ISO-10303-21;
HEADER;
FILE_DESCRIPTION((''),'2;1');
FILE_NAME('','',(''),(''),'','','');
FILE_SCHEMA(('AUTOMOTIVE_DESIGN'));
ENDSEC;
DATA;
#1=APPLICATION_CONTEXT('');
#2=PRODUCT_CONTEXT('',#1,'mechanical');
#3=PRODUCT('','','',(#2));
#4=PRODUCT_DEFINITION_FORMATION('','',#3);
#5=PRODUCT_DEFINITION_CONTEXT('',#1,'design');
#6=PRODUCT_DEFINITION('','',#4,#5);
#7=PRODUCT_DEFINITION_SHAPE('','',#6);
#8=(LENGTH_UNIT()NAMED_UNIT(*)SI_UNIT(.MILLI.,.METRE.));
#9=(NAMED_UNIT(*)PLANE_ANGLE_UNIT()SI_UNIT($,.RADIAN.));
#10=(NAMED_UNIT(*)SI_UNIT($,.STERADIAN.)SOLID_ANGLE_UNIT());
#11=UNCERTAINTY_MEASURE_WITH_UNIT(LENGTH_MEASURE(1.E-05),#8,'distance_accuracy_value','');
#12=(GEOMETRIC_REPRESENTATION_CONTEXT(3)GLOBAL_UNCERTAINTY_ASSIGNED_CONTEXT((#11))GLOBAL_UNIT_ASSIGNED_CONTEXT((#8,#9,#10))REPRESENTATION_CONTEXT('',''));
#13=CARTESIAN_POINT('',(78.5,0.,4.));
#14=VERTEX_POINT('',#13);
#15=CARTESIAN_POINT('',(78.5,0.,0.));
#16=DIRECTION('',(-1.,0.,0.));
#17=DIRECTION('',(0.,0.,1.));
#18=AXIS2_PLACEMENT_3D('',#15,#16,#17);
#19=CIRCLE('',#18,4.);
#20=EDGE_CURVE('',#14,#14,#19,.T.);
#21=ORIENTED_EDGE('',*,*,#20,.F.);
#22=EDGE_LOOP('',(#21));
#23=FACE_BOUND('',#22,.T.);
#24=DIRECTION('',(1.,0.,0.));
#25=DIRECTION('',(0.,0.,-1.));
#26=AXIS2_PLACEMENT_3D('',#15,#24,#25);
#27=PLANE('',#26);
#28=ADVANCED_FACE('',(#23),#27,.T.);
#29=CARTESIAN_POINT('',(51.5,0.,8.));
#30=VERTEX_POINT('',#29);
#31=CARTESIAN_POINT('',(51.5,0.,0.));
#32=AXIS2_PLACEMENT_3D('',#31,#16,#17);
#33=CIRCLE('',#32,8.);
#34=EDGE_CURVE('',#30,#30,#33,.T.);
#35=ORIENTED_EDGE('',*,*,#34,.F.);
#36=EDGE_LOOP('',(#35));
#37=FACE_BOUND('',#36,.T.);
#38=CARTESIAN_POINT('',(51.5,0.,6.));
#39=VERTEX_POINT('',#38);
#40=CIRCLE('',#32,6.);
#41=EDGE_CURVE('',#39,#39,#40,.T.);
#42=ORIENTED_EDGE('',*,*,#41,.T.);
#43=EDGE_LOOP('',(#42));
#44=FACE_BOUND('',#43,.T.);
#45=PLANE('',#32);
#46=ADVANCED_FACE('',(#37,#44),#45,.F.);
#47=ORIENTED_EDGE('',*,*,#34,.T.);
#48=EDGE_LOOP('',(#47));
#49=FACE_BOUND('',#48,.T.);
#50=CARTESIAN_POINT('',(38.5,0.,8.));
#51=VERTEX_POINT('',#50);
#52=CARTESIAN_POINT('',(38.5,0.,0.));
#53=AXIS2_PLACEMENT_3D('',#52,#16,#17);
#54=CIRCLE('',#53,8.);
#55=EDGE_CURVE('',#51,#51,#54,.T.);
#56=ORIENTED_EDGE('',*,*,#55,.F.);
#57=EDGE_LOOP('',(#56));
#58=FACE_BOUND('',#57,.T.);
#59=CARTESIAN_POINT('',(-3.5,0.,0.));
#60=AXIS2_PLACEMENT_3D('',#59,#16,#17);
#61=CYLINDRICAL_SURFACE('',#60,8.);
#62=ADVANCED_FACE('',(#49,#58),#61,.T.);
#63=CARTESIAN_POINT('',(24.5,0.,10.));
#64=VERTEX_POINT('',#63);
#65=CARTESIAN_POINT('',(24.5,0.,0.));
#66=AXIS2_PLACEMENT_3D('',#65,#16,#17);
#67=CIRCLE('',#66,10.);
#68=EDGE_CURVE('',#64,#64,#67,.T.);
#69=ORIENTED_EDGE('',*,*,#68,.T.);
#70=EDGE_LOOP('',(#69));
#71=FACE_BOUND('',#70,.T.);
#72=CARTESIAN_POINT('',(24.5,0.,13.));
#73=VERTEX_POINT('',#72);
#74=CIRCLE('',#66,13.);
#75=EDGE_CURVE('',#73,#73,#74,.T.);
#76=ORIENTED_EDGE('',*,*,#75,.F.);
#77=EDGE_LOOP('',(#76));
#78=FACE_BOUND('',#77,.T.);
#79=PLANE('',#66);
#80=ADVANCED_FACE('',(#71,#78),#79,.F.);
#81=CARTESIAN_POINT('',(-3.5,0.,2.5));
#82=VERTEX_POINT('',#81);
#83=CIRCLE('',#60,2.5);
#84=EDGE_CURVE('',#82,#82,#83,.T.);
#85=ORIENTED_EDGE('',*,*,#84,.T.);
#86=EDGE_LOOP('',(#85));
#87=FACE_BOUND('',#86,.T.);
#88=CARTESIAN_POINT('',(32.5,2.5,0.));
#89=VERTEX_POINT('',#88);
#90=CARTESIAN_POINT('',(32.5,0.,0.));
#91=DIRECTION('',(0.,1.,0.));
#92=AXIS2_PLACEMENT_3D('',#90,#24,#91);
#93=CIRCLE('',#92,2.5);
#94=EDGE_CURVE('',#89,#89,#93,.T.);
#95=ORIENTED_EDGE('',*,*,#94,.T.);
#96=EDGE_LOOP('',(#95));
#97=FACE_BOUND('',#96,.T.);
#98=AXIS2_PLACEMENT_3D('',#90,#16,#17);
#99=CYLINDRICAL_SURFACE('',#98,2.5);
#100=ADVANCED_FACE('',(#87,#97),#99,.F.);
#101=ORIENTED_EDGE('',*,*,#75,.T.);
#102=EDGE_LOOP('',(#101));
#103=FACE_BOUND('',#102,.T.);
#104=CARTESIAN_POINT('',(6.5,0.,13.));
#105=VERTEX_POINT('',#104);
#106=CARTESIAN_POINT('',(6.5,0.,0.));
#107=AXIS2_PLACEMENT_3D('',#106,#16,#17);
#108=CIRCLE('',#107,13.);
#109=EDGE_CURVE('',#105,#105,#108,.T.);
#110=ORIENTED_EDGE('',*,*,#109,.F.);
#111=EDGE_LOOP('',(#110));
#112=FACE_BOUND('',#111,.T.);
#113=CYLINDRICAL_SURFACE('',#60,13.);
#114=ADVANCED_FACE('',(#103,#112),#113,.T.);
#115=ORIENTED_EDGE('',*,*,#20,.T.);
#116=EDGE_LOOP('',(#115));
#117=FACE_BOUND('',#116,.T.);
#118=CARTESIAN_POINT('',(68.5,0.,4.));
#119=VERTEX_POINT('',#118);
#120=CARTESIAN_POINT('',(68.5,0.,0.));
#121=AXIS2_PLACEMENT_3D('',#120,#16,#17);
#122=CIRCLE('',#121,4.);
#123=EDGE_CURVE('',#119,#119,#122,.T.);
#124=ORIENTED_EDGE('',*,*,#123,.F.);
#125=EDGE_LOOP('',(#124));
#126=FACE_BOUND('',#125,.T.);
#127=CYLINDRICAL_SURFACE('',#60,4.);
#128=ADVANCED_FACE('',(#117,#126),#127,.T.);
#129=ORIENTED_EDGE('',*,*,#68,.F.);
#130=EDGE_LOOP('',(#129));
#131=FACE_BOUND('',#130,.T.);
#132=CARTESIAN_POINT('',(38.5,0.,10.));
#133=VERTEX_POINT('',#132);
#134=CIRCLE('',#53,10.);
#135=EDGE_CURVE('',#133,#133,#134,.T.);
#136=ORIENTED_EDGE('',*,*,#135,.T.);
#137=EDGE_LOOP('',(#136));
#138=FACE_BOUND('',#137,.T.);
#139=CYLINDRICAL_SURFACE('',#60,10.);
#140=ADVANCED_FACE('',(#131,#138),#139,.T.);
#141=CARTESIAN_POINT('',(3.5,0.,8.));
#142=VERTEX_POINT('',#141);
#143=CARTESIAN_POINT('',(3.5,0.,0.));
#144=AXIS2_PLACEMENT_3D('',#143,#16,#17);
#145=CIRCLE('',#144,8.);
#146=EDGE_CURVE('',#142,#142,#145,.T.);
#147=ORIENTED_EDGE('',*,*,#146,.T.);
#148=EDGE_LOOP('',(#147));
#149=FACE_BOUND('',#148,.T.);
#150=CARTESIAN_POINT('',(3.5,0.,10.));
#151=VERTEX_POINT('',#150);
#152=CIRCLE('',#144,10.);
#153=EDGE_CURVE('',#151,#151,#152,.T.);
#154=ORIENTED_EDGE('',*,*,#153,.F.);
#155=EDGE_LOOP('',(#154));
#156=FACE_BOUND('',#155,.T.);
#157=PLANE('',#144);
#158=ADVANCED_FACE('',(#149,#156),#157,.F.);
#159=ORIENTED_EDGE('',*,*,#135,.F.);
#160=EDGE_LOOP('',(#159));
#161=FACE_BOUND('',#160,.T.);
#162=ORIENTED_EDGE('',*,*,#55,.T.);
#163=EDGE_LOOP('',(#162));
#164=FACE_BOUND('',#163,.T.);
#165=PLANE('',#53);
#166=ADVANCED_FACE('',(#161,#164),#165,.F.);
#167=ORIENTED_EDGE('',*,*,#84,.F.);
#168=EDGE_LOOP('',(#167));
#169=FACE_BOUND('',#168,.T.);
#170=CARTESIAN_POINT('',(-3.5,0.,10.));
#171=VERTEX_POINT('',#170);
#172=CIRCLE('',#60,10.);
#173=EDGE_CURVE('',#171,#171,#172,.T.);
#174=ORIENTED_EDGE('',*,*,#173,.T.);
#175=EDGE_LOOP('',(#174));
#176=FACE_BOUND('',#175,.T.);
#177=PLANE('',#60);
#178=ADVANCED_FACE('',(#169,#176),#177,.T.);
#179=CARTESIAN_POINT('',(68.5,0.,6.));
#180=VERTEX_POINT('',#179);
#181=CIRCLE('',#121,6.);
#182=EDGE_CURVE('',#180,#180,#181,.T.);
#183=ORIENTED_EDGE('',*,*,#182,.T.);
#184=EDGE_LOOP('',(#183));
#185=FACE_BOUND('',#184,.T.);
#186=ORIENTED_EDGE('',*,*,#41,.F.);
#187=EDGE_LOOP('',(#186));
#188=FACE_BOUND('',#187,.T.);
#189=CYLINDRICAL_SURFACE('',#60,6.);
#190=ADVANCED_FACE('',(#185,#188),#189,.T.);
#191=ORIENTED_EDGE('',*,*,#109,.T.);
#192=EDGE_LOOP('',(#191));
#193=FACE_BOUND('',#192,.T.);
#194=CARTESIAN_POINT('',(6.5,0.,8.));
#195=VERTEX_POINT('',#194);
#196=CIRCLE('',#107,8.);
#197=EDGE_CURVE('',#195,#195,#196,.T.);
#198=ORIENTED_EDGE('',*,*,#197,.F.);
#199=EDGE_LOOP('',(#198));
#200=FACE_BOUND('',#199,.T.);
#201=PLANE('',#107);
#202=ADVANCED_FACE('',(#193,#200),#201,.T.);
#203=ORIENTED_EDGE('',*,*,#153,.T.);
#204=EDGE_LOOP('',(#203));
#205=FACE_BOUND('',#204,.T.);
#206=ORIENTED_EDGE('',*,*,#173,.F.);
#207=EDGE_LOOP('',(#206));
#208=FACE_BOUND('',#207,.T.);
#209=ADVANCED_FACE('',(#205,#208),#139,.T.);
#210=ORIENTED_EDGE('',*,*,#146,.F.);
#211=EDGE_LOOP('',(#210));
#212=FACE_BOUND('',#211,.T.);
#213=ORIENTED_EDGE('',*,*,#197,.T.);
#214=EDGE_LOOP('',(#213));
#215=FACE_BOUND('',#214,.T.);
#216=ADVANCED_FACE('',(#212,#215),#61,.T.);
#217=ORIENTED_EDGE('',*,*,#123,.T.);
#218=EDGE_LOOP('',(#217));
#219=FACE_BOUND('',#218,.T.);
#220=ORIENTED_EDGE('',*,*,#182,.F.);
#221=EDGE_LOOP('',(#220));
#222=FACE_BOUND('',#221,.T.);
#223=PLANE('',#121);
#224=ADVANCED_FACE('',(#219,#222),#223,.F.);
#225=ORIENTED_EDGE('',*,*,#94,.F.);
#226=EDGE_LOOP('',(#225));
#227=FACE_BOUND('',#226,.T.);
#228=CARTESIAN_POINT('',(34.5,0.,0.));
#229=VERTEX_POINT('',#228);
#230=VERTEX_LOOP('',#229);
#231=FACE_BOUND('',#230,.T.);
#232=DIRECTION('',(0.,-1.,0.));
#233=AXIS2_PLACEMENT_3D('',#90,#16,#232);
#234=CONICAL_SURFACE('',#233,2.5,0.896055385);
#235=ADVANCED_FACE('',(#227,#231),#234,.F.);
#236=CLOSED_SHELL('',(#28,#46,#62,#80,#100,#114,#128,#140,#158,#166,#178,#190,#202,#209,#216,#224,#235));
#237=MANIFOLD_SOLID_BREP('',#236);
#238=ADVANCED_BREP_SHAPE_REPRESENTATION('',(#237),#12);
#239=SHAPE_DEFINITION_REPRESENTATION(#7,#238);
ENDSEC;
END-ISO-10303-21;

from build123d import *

# Parameters (mm, degrees)
SKETCH1_W          = 3
SKETCH1_H          = 8
SKETCH1_W_2        = 10
SKETCH1_H_2        = 4
SKETCH2_R          = 2.5
CUT_EXTRUDE1_DEPTH = 36


with BuildPart() as part:
    # Sketch1 → Revolve2 (revolve)
    with BuildSketch(Plane(origin=(0, 0, 0), x_dir=(1, 0, 0), z_dir=(0, 1, 0))):
        Polygon((3.5, 0), (-3.5, 0), (-3.5, -10), (3.5, -10), (3.5, -8), align=None)
        with Locations((5, -4)):
            Rectangle(SKETCH1_W, SKETCH1_H)
        Polygon((24.5, 0), (6.5, 0), (6.5, -8), (6.5, -13), (24.5, -13), (24.5, -10), align=None)
        Polygon((38.5, 0), (24.5, 0), (24.5, -10), (38.5, -10), (38.5, -8), align=None)
        Polygon((51.5, 0), (38.5, 0), (38.5, -8), (51.5, -8), (51.5, -6), align=None)
        Polygon((68.5, 0), (51.5, 0), (51.5, -6), (68.5, -6), (68.5, -4), align=None)
        with Locations((73.5, -2)):
            Rectangle(SKETCH1_W_2, SKETCH1_H_2)
    revolve(axis=Axis((-3.5, 0, 0), (1, 0, 0)))

    # Sketch2 → Cut-Extrude1 (cut)
    with BuildSketch(Plane.ZY.offset(3.5)):
        Circle(SKETCH2_R)
    extrude(amount=-CUT_EXTRUDE1_DEPTH, mode=Mode.SUBTRACT)

    # Sketch3 → Cut-Revolve2 (revolve, cut)
    with BuildSketch(Plane.XY):
        Polygon((32.5, 0), (34.5, 0), (32.5, -2.5), align=None)
    revolve(axis=Axis((34.5, 0, 0), (-1, 0, 0)), mode=Mode.SUBTRACT)


solid = part.part
